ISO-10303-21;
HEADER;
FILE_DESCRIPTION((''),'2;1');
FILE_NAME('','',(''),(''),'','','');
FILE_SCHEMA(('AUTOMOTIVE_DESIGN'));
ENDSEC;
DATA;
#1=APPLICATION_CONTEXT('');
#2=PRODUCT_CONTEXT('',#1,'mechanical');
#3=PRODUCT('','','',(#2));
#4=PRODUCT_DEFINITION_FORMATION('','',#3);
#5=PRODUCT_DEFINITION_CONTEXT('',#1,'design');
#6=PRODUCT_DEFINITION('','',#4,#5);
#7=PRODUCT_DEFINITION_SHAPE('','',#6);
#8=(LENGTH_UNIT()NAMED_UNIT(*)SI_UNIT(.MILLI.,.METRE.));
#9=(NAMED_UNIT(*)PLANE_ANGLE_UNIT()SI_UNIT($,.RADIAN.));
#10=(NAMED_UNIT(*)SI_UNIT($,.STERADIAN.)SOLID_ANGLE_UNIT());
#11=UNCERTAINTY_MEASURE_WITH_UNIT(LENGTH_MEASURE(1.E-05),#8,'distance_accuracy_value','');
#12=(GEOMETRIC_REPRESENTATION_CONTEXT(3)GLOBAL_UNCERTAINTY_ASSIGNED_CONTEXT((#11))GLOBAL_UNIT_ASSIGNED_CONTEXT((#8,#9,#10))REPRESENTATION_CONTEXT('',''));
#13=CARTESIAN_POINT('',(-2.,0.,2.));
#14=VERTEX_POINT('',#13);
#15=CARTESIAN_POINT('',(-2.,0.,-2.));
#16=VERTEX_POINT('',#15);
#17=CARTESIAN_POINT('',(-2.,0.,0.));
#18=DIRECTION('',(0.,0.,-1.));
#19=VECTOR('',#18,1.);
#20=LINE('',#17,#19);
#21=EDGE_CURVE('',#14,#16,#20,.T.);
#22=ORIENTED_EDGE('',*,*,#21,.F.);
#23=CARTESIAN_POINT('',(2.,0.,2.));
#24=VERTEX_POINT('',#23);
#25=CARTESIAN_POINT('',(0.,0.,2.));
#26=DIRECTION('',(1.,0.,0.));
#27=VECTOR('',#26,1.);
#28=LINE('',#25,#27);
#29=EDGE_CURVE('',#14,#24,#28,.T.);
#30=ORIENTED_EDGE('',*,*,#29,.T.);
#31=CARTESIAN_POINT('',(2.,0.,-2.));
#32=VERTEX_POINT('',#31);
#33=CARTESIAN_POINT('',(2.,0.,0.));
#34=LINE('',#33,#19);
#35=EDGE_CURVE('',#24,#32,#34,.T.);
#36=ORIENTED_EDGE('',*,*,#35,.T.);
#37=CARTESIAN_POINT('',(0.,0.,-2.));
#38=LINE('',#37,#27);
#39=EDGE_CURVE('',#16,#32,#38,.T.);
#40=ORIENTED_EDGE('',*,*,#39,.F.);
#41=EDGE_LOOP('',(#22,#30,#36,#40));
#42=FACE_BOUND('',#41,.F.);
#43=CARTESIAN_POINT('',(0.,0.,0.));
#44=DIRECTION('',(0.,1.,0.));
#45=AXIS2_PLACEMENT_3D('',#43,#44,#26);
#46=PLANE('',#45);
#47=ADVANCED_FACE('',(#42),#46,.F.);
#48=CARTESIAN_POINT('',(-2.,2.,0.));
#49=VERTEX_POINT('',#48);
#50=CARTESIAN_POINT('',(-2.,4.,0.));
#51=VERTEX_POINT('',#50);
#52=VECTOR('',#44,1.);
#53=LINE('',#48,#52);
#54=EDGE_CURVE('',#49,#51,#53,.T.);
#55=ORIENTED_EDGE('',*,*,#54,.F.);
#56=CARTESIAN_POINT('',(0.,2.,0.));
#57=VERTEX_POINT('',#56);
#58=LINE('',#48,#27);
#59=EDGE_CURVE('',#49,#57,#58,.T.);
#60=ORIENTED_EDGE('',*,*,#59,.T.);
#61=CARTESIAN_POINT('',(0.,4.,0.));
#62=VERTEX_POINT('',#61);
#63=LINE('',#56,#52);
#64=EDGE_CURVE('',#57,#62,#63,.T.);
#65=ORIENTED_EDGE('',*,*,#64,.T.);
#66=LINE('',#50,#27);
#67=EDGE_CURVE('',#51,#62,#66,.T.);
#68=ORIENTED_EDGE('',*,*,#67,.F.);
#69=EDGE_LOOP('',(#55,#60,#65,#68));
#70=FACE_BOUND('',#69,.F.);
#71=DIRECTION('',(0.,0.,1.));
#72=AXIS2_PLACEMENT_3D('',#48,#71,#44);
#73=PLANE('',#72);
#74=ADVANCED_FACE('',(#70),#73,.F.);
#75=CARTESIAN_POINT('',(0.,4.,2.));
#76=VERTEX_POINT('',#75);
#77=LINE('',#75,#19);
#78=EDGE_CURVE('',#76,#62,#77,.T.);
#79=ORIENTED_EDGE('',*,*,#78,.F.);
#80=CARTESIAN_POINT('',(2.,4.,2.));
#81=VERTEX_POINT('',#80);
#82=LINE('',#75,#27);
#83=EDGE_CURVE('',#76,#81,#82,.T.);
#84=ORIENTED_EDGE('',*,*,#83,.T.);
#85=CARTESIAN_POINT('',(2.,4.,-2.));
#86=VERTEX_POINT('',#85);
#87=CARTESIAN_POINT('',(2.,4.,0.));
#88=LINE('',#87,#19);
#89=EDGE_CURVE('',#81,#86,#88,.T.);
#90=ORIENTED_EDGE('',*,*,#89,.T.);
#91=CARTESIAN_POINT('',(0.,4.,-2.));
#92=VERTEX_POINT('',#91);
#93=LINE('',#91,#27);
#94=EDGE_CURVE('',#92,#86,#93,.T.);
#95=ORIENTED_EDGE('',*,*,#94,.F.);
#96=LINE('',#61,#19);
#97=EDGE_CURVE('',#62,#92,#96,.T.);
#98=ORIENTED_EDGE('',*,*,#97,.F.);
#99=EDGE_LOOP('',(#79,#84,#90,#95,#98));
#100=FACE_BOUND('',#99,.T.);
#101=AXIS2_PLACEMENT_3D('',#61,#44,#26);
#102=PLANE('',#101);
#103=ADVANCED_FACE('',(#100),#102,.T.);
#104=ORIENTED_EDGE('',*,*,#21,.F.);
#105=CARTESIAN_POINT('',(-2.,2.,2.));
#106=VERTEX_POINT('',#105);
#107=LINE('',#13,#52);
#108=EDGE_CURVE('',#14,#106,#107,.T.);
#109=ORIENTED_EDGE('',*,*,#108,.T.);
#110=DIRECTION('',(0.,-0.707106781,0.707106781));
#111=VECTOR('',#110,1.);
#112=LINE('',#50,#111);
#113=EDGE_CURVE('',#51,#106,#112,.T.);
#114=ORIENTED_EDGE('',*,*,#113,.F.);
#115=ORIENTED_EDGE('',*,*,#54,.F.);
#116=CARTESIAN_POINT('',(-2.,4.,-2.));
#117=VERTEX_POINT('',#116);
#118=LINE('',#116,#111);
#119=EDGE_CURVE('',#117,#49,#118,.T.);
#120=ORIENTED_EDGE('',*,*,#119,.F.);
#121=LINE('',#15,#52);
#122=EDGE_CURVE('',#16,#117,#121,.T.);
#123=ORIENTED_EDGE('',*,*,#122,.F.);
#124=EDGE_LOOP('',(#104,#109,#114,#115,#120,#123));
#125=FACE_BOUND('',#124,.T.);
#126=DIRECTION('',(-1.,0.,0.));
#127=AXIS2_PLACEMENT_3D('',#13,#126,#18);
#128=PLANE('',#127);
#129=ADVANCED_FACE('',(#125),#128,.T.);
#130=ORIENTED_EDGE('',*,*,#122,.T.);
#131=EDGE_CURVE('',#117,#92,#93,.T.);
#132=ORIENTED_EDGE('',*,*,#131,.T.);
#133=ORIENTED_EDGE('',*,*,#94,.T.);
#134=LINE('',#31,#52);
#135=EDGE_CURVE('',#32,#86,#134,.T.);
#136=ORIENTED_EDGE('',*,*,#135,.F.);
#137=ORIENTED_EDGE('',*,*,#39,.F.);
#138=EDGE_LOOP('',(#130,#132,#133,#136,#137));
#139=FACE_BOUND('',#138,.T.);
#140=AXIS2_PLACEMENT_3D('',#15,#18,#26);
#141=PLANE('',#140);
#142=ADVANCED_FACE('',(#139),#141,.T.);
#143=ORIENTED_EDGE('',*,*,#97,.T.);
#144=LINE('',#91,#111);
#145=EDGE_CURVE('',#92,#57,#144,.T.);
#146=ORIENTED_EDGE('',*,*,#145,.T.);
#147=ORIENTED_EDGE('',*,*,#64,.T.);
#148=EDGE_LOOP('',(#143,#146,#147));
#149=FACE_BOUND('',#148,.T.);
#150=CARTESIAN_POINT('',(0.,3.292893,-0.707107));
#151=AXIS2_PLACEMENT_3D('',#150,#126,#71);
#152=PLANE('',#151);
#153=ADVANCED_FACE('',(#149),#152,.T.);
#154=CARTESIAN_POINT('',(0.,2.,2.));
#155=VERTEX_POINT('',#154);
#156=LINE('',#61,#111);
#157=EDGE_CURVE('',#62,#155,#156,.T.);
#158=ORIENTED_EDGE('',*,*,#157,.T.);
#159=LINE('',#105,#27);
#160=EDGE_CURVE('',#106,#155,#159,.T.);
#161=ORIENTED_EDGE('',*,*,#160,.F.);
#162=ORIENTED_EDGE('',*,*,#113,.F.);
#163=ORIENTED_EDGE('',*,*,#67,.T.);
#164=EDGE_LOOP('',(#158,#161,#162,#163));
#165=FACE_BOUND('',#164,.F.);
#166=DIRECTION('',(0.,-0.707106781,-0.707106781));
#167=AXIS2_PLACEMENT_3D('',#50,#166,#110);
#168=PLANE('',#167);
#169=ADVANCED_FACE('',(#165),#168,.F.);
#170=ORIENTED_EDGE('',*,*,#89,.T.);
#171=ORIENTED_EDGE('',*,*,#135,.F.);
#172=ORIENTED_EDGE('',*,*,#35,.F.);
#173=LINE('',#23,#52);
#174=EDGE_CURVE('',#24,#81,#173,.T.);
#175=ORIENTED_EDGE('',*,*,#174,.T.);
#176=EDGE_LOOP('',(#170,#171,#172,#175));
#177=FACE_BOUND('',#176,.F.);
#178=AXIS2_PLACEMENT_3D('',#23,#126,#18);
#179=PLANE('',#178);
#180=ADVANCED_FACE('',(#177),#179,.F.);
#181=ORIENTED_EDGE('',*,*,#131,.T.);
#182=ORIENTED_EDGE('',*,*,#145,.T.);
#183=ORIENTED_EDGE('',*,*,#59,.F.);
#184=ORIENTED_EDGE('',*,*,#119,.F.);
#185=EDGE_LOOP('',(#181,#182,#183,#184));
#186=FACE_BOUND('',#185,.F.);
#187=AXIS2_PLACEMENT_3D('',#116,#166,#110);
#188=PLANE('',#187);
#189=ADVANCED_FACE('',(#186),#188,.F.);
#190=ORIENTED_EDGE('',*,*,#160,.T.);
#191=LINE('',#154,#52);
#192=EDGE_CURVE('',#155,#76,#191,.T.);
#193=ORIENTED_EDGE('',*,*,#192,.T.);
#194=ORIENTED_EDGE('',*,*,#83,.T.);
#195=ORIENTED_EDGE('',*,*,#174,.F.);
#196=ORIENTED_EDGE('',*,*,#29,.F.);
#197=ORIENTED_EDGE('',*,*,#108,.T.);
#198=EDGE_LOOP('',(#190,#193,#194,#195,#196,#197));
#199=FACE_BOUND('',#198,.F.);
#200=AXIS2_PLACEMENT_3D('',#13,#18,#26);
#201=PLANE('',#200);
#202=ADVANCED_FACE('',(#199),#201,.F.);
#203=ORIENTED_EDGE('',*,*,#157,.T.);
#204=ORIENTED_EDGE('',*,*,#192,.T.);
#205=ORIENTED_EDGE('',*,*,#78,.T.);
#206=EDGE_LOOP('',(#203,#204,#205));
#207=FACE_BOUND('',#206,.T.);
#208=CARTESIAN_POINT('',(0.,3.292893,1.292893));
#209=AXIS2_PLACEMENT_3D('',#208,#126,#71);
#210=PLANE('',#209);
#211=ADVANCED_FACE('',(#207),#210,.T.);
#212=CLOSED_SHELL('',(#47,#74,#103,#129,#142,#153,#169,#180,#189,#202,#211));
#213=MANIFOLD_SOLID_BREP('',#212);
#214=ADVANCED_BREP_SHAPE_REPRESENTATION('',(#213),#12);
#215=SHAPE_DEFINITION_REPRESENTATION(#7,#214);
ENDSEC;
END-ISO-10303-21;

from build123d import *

# Parameters (mm, degrees)
SKETCH1_W           = 4
SKETCH1_H           = 4
BOSS_EXTRUDE1_DEPTH = 4
CUT_EXTRUDE1_DEPTH  = 2


with BuildPart() as part:
    # Sketch1 → Boss-Extrude1 (new body)
    with BuildSketch(Plane(origin=(0, 0, 0), x_dir=(1, 0, 0), z_dir=(0, 1, 0))):
        Rectangle(SKETCH1_W, SKETCH1_H)
    extrude(amount=BOSS_EXTRUDE1_DEPTH)

    # Sketch2 → Cut-Extrude1 (cut)
    with BuildSketch(Plane.ZY.offset(2)):
        Polygon((0, 2), (0, 4), (-2, 4), align=None)
        Polygon((0, 4), (2, 2), (2, 4), align=None)
    extrude(amount=-CUT_EXTRUDE1_DEPTH, mode=Mode.SUBTRACT)


solid = part.part
